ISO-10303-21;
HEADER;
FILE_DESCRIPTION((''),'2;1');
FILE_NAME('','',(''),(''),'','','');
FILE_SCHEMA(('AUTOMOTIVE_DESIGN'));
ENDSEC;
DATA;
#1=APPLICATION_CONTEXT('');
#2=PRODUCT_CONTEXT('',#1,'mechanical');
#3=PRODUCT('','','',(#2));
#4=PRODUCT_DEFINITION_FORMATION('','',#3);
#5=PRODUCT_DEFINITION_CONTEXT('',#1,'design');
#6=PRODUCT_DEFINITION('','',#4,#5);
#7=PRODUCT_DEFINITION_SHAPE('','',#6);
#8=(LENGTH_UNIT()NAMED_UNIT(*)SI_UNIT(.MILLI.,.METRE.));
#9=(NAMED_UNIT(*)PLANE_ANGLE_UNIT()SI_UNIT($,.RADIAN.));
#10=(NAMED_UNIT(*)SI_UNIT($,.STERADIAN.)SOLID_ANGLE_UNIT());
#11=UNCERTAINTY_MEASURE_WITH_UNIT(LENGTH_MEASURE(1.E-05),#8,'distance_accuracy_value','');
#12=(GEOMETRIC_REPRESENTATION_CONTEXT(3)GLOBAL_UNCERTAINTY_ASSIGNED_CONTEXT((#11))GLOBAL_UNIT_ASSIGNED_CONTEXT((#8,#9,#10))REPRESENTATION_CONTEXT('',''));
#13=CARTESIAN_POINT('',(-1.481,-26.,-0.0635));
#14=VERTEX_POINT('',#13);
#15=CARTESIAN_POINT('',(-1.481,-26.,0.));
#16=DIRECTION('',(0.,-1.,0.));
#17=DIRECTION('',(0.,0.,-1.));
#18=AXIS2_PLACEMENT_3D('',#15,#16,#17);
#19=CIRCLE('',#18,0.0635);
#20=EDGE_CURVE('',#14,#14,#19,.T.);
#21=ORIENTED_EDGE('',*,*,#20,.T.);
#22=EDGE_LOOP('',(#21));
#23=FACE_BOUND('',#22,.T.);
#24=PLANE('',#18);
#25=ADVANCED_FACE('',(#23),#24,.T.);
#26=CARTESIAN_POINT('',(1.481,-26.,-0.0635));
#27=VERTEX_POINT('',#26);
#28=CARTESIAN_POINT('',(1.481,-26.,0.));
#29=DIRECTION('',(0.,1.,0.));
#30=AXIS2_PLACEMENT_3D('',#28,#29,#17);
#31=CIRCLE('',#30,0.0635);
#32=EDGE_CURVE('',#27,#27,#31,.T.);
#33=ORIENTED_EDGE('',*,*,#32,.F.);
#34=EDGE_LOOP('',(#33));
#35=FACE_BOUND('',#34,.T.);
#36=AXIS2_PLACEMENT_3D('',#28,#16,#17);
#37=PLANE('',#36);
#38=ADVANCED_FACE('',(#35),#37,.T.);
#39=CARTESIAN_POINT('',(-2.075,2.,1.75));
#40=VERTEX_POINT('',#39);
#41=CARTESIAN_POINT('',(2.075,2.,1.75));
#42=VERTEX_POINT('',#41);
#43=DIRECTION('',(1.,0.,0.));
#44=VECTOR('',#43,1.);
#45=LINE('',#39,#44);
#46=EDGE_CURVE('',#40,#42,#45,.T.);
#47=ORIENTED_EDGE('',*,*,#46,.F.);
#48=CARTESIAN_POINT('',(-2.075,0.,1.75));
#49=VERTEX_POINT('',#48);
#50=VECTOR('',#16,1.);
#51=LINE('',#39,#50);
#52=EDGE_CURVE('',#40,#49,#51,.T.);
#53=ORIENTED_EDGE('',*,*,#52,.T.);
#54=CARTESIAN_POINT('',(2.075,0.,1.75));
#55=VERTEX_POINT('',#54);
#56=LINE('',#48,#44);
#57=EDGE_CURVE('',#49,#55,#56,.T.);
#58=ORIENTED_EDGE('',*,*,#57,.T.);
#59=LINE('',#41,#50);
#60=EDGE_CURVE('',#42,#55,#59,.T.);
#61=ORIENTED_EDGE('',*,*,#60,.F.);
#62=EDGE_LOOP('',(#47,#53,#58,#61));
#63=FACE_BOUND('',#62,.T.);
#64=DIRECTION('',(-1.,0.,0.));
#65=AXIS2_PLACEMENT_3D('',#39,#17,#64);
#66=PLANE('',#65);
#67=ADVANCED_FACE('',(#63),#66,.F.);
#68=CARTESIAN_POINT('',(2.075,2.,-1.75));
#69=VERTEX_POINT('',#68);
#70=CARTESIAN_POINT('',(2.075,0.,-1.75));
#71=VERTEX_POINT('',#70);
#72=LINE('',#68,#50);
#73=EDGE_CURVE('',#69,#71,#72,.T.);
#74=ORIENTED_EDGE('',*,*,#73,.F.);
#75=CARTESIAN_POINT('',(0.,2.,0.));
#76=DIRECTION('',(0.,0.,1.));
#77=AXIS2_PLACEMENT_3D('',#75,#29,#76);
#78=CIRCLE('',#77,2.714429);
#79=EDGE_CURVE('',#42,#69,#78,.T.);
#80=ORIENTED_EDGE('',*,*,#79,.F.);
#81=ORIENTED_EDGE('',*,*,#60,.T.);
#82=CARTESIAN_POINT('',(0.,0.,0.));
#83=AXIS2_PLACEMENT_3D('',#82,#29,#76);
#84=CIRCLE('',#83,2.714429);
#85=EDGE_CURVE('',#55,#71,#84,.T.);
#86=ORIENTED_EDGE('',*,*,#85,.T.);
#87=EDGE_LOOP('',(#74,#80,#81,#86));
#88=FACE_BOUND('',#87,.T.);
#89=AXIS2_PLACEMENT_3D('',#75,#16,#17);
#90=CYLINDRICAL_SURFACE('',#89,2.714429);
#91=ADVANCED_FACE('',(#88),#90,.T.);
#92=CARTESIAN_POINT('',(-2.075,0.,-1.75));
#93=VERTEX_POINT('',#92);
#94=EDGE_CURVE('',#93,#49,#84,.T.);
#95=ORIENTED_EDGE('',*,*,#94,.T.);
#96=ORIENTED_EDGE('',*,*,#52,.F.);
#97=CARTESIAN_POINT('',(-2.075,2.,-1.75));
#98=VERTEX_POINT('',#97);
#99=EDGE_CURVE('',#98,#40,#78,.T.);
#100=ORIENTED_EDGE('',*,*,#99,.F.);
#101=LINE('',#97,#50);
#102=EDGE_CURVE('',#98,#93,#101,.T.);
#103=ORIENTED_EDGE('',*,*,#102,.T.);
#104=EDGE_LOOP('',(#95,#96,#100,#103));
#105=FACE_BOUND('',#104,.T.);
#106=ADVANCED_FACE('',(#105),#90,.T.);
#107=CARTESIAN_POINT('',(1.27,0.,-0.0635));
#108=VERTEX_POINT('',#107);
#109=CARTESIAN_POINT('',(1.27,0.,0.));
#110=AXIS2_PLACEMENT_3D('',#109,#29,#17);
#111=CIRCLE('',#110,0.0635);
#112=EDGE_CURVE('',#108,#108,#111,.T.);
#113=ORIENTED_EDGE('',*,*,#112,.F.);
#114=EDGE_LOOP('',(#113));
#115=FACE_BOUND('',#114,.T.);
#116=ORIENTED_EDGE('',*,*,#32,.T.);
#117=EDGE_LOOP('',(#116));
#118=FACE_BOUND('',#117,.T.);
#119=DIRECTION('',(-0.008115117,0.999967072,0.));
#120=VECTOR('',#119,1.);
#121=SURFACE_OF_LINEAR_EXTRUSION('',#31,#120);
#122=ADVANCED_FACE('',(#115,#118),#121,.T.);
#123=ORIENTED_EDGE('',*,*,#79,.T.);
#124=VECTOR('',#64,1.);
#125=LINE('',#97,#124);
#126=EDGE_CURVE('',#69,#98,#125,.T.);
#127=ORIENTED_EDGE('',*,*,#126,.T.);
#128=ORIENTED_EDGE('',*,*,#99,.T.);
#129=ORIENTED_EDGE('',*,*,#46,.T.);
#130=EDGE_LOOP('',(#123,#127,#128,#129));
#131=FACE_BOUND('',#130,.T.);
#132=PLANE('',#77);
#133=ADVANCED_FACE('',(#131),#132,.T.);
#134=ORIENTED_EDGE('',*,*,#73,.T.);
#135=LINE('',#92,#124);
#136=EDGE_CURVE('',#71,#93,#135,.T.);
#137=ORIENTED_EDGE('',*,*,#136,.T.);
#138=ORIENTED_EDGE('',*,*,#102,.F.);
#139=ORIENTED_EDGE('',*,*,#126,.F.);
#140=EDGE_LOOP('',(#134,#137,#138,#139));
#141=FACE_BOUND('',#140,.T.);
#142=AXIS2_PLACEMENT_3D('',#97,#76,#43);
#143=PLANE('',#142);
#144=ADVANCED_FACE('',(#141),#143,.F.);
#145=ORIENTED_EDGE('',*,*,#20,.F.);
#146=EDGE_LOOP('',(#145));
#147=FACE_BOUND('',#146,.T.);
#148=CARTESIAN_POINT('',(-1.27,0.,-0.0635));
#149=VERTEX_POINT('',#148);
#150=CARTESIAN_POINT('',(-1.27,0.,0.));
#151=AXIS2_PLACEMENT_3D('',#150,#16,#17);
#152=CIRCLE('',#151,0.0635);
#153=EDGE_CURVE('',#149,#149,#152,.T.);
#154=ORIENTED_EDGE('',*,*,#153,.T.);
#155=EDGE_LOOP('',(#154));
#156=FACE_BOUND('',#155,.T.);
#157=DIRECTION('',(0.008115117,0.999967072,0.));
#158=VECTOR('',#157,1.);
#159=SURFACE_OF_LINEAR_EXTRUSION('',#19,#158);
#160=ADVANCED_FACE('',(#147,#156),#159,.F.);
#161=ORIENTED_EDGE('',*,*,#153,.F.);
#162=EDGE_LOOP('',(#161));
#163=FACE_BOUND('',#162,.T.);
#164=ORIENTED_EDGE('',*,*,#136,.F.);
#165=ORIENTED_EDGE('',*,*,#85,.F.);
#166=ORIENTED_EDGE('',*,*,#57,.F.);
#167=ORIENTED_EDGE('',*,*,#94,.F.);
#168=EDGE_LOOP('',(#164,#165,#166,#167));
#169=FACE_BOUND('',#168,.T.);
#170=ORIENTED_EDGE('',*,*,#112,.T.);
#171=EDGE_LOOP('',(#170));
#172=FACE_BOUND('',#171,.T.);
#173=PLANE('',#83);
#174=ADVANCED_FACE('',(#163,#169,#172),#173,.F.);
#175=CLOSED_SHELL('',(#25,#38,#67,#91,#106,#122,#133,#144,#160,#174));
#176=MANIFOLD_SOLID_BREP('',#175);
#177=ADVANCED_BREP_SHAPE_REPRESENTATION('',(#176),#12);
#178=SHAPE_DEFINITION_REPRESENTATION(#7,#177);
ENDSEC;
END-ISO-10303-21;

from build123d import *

# Parameters (mm, degrees)
BOSS_EXTRUDE1_DEPTH = 2
SKETCH3_R           = 0.0635


with BuildPart() as part:
    # Sketch1 → Boss-Extrude1 (new body)
    with BuildSketch(Plane(origin=(0, 0, 0), x_dir=(1, 0, 0), z_dir=(0, 1, 0))):
        with BuildLine():
            Line((-2.075, 1.75), (2.075, 1.75))
            ThreePointArc((2.075, 1.75), (2.714429038, 0), (2.075, -1.75))
            Line((2.075, -1.75), (-2.075, -1.75))
            ThreePointArc((-2.075, -1.75), (-2.714429038, 0), (-2.075, 1.75))
        make_face()
    extrude(amount=BOSS_EXTRUDE1_DEPTH)

    # Sweep1: sweep along a path in Sketch2
    with BuildLine(Plane.XY) as sweep1_path:
        Line((-2.075, 0), (-2.286, -26))
    # Sketch3 → Sweep1 (sweep)
    with BuildSketch(Plane.XZ):
        with Locations((-1.27, 0)):
            Circle(SKETCH3_R)
    sweep1 = sweep(path=sweep1_path.line)

    # Mirror1: Sweep1 across plane
    add(sweep1.mirror(Plane(origin=(0, 0, 0), x_dir=(0, 0, 1), z_dir=(1, 0, 0))))


solid = part.part
